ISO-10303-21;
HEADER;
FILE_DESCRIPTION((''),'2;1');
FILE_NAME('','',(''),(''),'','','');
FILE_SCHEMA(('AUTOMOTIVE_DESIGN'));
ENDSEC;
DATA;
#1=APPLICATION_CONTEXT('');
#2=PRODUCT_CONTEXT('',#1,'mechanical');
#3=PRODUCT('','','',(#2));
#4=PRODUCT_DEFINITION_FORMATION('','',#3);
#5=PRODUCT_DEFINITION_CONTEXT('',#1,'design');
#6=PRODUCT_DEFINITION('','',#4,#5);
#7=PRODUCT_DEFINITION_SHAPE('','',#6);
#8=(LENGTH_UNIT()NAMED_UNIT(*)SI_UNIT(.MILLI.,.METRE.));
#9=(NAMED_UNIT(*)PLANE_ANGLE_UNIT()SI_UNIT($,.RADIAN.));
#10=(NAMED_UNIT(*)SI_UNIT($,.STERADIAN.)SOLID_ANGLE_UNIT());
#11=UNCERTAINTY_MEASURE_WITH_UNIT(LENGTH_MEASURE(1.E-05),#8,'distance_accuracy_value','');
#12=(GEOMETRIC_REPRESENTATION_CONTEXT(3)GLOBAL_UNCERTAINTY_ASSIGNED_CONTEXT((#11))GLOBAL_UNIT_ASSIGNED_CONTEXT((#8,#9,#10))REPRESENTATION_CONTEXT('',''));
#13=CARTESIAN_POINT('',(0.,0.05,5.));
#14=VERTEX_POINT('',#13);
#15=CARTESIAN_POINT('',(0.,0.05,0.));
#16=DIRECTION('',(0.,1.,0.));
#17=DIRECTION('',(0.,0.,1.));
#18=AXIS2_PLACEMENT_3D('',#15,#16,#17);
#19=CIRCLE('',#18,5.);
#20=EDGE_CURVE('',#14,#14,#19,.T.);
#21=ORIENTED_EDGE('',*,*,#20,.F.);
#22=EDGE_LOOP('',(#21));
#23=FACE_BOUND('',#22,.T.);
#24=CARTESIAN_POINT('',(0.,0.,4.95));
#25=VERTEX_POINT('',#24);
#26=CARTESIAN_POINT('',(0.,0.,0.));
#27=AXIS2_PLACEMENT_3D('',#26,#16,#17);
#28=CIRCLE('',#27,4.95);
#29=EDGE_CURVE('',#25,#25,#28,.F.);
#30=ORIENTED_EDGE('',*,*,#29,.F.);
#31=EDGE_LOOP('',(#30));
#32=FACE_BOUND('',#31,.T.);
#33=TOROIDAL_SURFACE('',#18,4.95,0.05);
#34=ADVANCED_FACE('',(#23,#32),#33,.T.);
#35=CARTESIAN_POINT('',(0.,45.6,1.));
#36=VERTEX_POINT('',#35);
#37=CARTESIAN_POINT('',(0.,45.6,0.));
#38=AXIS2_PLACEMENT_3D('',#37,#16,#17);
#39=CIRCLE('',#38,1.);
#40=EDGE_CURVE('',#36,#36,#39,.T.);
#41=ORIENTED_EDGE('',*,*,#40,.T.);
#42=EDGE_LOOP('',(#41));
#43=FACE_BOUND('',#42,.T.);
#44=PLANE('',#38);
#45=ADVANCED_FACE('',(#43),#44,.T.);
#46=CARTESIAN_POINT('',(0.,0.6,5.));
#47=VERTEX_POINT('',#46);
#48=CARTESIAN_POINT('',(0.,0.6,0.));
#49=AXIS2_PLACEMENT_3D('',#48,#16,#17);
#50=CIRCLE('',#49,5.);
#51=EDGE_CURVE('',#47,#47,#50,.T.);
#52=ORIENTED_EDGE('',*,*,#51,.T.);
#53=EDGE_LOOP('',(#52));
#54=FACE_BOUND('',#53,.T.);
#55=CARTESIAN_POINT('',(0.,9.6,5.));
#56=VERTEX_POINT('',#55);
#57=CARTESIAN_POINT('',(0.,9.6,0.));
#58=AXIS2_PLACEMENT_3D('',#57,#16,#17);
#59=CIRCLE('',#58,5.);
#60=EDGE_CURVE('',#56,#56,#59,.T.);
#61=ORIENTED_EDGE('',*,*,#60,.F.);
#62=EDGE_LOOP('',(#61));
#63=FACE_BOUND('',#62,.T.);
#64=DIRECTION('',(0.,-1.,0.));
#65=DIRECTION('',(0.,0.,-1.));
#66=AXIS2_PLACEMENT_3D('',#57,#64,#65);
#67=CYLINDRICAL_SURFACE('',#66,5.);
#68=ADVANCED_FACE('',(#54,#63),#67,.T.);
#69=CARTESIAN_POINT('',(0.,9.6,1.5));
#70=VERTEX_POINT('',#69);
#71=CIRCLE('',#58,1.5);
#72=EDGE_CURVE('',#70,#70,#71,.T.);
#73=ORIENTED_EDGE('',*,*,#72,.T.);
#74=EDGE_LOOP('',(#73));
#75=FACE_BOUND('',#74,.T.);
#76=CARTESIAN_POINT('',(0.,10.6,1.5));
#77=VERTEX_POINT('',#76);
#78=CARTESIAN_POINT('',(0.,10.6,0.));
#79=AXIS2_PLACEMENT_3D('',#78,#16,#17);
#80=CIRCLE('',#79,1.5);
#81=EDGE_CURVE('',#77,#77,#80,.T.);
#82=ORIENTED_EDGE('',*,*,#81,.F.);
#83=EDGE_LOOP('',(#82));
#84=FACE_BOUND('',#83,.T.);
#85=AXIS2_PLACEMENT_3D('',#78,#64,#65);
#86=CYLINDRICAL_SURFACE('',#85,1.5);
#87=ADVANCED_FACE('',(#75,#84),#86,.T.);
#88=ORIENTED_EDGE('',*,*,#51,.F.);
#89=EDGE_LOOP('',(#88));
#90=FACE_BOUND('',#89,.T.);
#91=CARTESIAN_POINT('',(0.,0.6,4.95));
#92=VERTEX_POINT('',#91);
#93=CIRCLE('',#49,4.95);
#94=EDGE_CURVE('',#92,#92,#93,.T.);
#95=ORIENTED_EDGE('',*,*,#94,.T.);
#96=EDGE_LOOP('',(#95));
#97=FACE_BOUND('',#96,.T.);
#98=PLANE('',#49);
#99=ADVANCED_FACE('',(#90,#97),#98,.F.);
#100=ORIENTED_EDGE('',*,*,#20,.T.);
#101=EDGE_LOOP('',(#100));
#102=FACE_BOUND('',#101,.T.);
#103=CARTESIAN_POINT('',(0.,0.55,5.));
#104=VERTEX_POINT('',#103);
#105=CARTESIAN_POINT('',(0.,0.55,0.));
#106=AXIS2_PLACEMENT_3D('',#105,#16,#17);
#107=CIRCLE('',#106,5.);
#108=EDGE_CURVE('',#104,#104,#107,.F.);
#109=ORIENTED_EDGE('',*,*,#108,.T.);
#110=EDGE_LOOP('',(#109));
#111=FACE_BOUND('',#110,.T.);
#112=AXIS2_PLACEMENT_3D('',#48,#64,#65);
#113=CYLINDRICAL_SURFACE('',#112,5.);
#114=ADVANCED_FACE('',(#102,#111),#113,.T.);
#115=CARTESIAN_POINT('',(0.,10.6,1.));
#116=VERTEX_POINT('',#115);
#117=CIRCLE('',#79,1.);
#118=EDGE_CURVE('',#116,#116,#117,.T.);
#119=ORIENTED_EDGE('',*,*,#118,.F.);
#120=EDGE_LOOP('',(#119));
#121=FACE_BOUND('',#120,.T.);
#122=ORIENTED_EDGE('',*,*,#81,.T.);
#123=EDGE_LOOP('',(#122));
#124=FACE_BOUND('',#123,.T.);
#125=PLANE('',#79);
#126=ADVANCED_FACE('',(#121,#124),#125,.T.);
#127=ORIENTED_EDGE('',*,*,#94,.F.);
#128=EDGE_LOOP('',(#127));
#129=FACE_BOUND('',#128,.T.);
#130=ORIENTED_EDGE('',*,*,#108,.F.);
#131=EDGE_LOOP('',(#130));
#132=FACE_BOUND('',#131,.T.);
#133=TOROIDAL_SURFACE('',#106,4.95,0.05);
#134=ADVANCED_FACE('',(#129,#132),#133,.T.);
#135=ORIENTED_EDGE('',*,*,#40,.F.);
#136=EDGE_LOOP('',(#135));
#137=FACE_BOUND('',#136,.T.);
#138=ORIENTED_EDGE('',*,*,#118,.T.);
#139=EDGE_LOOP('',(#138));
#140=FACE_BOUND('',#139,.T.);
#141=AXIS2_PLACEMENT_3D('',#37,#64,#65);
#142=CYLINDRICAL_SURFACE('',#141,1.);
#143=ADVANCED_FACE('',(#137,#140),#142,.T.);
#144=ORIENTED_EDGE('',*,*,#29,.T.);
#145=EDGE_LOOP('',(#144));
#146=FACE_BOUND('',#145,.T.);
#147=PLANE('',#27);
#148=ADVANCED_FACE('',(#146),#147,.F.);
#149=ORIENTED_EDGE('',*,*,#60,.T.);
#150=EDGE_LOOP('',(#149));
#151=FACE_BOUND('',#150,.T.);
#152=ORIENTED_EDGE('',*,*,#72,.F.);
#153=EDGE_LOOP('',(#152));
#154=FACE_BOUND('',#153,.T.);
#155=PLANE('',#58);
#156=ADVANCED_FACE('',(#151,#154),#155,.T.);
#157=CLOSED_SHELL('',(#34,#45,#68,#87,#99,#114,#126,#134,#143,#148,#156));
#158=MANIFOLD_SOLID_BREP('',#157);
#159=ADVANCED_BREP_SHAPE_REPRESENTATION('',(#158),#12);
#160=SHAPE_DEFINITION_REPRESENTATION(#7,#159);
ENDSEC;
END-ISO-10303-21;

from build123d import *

# Parameters (mm, degrees)
SKETCH_1_R      = 5
EXTRUDE_1_DEPTH = 0.6
FILLET_1_R      = 0.05
FILLET_2_R      = 0.05
SKETCH_2_R      = 5
EXTRUDE_2_DEPTH = 9
SKETCH_3_R      = 1.5
EXTRUDE_3_DEPTH = 1
SKETCH_4_R      = 1
EXTRUDE_4_DEPTH = 35


with BuildPart() as part:
    # 草图1 → 凸台-拉伸1 (new body)
    with BuildSketch(Plane(origin=(0, 0, 0), x_dir=(1, 0, 0), z_dir=(0, 1, 0))):
        Circle(SKETCH_1_R)
    extrude(amount=EXTRUDE_1_DEPTH)

    # 圆角1
    fillet_1_edges = [part.edges().sort_by_distance(p)[0] for p in [
        (-5, 0.6, 0),
    ]]
    fillet(fillet_1_edges, radius=FILLET_1_R)

    # 圆角2
    fillet_2_edges = [part.edges().sort_by_distance(p)[0] for p in [
        (-5, 0, 0),
    ]]
    fillet(fillet_2_edges, radius=FILLET_2_R)

    # 草图2 → 凸台-拉伸2 (add)
    with BuildSketch(Plane(origin=(0, 0.6, 0), x_dir=(1, 0, 0), z_dir=(0, 1, 0))):
        Circle(SKETCH_2_R)
    extrude(amount=EXTRUDE_2_DEPTH)

    # 草图3 → 凸台-拉伸3 (add)
    with BuildSketch(Plane(origin=(0, 9.6, 0), x_dir=(1, 0, 0), z_dir=(0, 1, 0))):
        Circle(SKETCH_3_R)
    extrude(amount=EXTRUDE_3_DEPTH)

    # 草图4 → 凸台-拉伸4 (add)
    with BuildSketch(Plane(origin=(0, 10.6, 0), x_dir=(1, 0, 0), z_dir=(0, 1, 0))):
        Circle(SKETCH_4_R)
    extrude(amount=EXTRUDE_4_DEPTH)


solid = part.part
